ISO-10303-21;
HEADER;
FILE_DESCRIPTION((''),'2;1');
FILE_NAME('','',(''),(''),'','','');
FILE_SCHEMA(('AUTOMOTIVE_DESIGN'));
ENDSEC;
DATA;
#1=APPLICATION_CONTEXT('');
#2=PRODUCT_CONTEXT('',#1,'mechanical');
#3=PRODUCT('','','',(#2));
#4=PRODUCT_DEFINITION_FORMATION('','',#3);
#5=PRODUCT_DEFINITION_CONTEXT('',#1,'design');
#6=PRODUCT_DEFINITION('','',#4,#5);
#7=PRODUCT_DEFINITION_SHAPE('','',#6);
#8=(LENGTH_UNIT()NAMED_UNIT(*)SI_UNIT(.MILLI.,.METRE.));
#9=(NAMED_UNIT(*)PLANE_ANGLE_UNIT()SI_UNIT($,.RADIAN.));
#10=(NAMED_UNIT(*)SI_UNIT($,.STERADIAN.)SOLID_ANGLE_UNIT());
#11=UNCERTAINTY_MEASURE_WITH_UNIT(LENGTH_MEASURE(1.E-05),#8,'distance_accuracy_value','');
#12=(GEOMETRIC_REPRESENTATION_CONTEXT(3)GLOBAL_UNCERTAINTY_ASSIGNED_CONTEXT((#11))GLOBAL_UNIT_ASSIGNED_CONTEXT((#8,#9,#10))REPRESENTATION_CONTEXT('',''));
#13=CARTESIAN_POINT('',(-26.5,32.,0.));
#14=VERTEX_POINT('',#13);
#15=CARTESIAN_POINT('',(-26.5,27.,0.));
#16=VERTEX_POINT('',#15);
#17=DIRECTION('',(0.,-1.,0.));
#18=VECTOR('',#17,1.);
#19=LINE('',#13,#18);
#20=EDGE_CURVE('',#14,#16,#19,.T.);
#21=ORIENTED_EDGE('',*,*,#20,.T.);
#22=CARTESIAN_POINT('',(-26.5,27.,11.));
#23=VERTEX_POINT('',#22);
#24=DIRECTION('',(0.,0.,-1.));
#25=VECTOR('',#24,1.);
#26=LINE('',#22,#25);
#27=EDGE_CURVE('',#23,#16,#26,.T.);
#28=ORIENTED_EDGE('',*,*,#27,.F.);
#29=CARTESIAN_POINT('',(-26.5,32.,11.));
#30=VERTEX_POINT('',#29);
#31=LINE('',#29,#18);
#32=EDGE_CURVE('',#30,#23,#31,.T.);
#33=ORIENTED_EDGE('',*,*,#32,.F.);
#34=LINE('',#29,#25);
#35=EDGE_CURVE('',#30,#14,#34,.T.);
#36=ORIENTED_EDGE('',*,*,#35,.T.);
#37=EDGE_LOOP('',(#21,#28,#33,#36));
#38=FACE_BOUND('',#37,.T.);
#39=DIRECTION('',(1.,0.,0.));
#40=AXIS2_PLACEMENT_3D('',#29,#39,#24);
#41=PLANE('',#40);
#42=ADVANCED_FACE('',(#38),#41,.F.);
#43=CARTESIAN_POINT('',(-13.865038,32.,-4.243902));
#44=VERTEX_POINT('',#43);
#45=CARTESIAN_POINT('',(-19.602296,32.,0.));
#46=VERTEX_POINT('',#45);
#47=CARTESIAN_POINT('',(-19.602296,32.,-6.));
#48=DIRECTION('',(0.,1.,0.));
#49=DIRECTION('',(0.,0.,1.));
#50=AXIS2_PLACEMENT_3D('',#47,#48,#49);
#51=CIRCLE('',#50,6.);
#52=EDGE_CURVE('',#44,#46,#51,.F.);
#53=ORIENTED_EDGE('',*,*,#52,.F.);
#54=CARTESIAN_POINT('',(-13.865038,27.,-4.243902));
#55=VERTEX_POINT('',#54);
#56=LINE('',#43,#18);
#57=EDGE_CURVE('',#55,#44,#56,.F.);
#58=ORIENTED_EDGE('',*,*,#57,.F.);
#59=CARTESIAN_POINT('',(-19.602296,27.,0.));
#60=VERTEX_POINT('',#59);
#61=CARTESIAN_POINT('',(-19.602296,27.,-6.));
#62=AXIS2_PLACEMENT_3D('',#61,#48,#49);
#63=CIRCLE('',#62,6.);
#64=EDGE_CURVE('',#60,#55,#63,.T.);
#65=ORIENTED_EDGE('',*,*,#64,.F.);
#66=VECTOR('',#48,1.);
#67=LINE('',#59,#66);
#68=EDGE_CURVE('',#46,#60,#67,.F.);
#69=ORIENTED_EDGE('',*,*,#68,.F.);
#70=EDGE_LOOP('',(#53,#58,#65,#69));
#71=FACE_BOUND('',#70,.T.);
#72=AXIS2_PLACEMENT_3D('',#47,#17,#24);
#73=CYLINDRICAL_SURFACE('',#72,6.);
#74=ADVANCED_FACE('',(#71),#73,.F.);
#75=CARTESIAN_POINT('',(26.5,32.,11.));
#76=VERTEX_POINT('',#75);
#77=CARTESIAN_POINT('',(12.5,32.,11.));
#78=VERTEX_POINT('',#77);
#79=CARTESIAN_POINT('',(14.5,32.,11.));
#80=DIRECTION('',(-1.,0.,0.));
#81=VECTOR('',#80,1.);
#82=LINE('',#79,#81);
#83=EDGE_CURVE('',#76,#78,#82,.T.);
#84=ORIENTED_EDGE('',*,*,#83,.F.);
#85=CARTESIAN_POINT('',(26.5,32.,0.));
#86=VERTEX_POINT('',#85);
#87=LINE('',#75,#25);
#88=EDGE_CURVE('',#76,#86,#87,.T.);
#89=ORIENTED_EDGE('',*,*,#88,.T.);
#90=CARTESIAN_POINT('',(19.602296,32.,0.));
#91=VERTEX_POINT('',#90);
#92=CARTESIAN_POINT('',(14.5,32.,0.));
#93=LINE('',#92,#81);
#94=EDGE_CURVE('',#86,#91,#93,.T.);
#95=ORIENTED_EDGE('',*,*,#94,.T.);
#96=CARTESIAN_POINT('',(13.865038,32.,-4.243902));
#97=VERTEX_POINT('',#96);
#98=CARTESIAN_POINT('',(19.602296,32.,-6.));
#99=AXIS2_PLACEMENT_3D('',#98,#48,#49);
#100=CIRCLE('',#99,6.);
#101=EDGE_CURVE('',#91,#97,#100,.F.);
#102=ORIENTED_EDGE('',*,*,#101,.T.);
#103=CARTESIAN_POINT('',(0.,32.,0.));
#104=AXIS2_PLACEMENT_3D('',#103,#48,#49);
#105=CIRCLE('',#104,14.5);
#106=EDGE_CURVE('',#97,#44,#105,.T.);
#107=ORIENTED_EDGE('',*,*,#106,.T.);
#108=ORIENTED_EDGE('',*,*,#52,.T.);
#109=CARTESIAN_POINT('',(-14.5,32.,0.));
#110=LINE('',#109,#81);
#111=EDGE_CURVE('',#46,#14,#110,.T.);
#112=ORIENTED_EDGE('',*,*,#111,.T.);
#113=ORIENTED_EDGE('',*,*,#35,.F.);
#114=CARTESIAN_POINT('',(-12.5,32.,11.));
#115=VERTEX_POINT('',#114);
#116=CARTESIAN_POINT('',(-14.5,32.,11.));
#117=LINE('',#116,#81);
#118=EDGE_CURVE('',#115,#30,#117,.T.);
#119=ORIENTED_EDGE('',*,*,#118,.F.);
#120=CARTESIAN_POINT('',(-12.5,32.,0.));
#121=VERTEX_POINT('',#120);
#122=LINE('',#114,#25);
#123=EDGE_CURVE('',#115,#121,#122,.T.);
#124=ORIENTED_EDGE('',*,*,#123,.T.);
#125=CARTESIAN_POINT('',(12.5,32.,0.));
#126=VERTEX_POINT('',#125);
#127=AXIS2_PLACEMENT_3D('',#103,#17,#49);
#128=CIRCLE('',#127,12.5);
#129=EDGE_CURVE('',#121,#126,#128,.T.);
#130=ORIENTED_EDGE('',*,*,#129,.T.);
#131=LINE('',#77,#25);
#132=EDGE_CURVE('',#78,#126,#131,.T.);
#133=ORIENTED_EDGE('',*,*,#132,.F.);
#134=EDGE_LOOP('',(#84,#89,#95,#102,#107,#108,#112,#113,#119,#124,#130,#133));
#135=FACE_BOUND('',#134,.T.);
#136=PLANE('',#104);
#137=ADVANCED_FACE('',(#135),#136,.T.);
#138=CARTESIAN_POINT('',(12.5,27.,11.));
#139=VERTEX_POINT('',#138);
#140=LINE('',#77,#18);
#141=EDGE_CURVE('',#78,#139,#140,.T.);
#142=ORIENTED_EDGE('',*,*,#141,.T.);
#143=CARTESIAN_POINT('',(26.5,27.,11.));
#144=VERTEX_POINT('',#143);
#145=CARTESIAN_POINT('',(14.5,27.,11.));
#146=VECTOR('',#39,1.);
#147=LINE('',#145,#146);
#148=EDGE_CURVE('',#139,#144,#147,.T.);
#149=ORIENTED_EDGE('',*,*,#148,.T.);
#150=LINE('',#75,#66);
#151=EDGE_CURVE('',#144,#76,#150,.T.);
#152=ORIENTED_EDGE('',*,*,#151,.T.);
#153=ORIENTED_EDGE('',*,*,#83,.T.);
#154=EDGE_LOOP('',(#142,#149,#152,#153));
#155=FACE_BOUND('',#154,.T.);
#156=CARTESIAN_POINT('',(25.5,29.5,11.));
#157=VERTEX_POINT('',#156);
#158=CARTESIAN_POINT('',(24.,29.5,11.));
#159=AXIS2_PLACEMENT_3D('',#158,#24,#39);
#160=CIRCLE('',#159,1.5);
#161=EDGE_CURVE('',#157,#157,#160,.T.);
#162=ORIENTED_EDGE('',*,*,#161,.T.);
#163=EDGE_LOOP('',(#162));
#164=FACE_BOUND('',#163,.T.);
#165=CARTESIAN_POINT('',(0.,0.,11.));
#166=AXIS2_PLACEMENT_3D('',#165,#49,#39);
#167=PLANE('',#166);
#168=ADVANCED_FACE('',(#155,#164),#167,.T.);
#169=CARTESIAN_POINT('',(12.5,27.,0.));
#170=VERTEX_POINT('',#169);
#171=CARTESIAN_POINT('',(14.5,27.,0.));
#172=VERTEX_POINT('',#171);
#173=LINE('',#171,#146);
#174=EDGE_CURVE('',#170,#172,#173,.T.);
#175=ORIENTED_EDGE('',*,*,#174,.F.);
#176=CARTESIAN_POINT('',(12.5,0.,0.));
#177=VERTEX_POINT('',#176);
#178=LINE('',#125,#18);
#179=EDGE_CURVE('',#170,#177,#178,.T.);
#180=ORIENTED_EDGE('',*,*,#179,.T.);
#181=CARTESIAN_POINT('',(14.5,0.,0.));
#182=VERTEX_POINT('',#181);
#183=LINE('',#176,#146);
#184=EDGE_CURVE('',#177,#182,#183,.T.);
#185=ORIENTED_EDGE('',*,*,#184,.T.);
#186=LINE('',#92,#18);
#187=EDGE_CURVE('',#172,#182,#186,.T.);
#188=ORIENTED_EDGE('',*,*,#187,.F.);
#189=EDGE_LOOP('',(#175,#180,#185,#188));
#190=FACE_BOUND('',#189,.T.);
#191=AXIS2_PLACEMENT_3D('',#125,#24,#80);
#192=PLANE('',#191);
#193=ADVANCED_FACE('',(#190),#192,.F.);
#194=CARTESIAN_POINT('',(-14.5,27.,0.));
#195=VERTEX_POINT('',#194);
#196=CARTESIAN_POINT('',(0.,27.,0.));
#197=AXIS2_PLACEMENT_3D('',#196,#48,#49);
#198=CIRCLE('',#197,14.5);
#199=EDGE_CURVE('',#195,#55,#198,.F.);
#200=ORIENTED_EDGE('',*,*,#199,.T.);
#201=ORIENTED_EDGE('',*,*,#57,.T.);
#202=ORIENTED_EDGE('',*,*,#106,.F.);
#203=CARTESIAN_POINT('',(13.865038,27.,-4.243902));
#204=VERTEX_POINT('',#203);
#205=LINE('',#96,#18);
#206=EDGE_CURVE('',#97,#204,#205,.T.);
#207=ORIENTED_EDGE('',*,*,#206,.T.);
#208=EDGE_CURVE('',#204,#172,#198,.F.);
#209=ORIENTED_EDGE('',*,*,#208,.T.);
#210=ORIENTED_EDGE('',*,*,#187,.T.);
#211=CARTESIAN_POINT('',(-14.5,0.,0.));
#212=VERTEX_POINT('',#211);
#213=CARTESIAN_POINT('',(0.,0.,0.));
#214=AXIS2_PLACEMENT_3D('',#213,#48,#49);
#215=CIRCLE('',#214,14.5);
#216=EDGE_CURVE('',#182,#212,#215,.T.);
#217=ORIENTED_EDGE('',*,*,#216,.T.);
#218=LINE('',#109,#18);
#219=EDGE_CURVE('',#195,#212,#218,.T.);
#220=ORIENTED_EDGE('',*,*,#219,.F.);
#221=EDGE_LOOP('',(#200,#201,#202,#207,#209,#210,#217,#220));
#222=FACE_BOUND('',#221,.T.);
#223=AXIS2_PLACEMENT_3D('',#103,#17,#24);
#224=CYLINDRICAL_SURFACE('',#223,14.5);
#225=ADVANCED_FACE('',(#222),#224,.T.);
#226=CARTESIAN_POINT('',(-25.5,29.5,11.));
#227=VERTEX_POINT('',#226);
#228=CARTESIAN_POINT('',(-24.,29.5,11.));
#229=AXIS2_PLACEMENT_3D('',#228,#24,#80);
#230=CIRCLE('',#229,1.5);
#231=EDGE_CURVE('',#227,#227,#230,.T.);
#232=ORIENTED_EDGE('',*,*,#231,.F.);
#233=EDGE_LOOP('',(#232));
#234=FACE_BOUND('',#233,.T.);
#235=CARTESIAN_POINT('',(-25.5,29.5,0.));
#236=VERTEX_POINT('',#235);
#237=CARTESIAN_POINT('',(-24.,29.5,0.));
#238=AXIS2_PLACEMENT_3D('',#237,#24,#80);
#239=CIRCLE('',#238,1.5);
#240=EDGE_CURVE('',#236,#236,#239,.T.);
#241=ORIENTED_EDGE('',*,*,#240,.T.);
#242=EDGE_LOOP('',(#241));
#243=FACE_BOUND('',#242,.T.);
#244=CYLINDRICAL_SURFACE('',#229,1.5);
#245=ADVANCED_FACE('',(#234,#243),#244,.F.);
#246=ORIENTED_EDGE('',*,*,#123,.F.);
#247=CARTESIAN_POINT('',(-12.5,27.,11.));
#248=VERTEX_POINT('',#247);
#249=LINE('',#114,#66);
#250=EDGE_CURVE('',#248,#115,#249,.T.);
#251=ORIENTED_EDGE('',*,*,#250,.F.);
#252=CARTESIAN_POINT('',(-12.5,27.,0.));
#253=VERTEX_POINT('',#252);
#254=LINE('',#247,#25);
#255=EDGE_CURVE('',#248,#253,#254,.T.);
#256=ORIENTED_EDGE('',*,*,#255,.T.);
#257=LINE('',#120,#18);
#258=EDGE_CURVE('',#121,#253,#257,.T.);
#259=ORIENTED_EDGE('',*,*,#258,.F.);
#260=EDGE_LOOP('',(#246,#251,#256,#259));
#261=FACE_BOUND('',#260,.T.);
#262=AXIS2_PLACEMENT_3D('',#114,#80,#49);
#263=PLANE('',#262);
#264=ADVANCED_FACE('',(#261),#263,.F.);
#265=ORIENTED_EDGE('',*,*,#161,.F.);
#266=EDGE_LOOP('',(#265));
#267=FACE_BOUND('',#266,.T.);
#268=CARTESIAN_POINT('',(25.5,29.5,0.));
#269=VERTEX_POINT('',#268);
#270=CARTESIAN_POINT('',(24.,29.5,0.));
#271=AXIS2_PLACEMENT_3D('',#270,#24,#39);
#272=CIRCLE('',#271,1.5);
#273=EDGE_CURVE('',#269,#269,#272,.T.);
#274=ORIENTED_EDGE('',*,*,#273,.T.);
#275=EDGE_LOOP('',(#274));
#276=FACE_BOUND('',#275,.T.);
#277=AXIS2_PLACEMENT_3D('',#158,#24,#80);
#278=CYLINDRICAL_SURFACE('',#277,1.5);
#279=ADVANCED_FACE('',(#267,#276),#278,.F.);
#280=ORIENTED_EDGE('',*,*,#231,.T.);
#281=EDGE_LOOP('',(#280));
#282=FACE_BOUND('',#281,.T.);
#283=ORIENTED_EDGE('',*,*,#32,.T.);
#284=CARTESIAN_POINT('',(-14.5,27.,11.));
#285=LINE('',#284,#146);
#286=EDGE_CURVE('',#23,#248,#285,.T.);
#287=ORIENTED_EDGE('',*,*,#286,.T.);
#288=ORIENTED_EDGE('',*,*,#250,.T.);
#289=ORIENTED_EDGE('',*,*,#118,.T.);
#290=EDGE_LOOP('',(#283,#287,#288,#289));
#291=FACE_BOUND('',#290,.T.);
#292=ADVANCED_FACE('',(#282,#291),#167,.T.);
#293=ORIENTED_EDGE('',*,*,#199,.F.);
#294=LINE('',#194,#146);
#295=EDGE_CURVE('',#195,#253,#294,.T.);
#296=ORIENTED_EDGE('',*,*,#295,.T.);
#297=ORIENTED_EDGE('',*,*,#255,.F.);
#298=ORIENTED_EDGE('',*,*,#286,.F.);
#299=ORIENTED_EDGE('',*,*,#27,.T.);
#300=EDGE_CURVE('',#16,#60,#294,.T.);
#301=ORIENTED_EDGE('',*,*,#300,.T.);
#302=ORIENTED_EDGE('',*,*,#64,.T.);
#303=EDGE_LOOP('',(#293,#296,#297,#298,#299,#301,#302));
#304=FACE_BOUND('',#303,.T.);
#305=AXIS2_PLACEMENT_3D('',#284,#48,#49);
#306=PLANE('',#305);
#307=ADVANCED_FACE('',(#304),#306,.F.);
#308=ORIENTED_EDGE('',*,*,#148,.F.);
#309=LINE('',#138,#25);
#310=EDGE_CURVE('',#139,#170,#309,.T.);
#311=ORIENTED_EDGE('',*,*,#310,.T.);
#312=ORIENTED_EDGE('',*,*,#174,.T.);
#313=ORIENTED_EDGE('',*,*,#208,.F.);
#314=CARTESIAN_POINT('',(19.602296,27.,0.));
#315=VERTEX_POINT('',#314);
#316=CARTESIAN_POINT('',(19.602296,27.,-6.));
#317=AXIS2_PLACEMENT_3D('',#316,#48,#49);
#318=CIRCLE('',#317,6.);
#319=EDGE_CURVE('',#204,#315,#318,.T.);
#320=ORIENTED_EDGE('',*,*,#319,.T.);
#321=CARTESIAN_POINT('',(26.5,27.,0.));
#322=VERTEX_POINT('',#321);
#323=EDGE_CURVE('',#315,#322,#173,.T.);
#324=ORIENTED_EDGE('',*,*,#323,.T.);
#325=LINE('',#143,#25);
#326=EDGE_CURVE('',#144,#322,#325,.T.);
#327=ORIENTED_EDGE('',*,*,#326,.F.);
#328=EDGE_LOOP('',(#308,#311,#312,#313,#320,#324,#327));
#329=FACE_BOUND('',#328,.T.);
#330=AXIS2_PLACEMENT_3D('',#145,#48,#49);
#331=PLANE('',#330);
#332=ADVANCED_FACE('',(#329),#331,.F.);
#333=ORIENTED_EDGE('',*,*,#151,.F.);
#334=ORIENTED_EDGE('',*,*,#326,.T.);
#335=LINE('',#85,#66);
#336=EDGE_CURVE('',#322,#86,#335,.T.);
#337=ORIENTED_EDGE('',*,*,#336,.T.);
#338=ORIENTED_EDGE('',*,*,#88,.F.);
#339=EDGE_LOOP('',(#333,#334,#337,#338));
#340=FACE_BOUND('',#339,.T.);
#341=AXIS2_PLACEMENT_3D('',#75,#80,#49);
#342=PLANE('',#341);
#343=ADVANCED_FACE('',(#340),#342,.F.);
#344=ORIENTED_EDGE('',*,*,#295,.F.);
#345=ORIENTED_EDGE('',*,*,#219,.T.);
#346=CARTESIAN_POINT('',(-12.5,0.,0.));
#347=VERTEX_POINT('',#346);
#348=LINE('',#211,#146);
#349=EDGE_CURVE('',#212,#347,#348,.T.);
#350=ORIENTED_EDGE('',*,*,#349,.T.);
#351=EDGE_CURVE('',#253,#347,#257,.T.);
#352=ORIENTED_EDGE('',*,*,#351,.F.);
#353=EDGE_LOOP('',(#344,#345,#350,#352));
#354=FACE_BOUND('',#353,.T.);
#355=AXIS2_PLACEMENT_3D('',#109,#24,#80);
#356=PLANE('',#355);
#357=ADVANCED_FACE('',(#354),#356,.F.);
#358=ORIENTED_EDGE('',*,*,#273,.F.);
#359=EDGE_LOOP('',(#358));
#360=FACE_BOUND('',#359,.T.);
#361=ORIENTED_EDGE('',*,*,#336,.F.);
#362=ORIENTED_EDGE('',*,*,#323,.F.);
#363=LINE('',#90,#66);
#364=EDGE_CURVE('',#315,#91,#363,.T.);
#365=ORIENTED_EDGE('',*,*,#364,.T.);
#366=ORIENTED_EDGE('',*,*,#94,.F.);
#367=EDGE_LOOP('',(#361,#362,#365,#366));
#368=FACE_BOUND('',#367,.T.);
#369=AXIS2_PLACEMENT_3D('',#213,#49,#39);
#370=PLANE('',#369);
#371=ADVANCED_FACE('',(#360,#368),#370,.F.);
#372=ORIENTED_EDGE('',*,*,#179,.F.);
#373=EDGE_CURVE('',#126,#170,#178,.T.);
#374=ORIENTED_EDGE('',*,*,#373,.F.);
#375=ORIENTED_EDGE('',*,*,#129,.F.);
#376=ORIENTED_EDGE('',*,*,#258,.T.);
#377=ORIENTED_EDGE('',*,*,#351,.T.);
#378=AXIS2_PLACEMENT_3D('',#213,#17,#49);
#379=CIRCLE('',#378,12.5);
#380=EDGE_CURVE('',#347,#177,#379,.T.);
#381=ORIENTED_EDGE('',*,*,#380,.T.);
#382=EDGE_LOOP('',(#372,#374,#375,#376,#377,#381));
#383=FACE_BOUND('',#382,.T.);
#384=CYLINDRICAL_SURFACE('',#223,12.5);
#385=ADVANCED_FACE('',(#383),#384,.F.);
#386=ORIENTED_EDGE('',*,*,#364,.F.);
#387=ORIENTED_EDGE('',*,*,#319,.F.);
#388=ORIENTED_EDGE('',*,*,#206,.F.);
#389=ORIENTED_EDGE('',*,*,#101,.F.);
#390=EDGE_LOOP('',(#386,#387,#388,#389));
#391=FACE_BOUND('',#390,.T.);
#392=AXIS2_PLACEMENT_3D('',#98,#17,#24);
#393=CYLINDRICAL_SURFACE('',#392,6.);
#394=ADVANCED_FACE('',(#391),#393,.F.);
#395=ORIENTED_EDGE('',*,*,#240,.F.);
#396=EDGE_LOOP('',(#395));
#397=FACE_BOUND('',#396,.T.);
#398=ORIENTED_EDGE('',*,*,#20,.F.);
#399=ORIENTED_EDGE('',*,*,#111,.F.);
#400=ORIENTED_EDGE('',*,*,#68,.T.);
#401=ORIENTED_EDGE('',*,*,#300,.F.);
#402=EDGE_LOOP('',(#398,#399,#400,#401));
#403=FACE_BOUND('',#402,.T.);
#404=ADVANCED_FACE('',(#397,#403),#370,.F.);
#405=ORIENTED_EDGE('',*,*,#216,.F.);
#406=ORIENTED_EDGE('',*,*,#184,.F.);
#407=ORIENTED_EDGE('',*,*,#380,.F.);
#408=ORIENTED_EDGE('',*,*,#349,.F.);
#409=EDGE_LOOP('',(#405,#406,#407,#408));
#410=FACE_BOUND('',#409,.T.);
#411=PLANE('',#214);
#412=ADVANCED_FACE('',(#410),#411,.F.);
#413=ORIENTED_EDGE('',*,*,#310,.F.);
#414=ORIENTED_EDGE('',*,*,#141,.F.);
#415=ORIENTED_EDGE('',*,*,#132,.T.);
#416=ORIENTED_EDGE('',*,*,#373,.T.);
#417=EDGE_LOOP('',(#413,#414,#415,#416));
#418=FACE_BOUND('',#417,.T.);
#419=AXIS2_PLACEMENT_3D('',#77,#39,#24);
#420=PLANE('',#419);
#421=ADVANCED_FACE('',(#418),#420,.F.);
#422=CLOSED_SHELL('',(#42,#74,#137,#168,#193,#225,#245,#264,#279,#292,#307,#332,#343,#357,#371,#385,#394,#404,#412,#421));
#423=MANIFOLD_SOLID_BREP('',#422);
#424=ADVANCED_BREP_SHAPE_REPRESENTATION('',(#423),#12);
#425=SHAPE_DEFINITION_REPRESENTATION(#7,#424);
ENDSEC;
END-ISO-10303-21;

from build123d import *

# Parameters (mm, degrees)
BOSS_EXTRUDE1_DEPTH = 32
BOSS_EXTRUDE2_DEPTH = 11
SKETCH3_R           = 1.5
CUT_EXTRUDE1_DEPTH  = 45.005681451
FILLET1_R           = 6


with BuildPart() as part:
    # Sketch1 → Boss-Extrude1 (new body)
    with BuildSketch(Plane(origin=(0, 0, 0), x_dir=(1, 0, 0), z_dir=(0, 1, 0))):
        with BuildLine():
            Line((-14.5, 0), (-12.5, 0))
            ThreePointArc((-12.5, 0), (0, 12.5), (12.5, 0))
            Line((12.5, 0), (14.5, 0))
            ThreePointArc((14.5, 0), (0, 14.5), (-14.5, 0))
        make_face()
    extrude(amount=BOSS_EXTRUDE1_DEPTH)

    # Sketch2 → Boss-Extrude2 (add)
    with BuildSketch(Plane.XY):
        Polygon((-14.5, 32), (-12.5, 32), (-12.5, 27), (-14.5, 27), (-26.5, 27), (-26.5, 32), align=None)
        Polygon((12.5, 32), (12.5, 27), (14.5, 27), (26.5, 27), (26.5, 32), (14.5, 32), align=None)
    extrude(amount=BOSS_EXTRUDE2_DEPTH)

    # Sketch3 → Cut-Extrude1 (cut, through all)
    with BuildSketch(Plane(origin=(0, 0, 0), x_dir=(-1, 0, 0), z_dir=(0, 0, -1))):
        with Locations((24, 29.5)):
            Circle(SKETCH3_R)
        with Locations(Location((-24, 29.5, 0), (0, 0, 180))):
            Circle(SKETCH3_R)
    extrude(amount=-CUT_EXTRUDE1_DEPTH, mode=Mode.SUBTRACT)

    # Fillet1
    fillet1_edges = [part.edges().sort_by_distance(p)[0] for p in [
        (-14.5, 29.5, 0),
        (14.5, 29.5, 0),
    ]]
    fillet(fillet1_edges, radius=FILLET1_R)


solid = part.part
